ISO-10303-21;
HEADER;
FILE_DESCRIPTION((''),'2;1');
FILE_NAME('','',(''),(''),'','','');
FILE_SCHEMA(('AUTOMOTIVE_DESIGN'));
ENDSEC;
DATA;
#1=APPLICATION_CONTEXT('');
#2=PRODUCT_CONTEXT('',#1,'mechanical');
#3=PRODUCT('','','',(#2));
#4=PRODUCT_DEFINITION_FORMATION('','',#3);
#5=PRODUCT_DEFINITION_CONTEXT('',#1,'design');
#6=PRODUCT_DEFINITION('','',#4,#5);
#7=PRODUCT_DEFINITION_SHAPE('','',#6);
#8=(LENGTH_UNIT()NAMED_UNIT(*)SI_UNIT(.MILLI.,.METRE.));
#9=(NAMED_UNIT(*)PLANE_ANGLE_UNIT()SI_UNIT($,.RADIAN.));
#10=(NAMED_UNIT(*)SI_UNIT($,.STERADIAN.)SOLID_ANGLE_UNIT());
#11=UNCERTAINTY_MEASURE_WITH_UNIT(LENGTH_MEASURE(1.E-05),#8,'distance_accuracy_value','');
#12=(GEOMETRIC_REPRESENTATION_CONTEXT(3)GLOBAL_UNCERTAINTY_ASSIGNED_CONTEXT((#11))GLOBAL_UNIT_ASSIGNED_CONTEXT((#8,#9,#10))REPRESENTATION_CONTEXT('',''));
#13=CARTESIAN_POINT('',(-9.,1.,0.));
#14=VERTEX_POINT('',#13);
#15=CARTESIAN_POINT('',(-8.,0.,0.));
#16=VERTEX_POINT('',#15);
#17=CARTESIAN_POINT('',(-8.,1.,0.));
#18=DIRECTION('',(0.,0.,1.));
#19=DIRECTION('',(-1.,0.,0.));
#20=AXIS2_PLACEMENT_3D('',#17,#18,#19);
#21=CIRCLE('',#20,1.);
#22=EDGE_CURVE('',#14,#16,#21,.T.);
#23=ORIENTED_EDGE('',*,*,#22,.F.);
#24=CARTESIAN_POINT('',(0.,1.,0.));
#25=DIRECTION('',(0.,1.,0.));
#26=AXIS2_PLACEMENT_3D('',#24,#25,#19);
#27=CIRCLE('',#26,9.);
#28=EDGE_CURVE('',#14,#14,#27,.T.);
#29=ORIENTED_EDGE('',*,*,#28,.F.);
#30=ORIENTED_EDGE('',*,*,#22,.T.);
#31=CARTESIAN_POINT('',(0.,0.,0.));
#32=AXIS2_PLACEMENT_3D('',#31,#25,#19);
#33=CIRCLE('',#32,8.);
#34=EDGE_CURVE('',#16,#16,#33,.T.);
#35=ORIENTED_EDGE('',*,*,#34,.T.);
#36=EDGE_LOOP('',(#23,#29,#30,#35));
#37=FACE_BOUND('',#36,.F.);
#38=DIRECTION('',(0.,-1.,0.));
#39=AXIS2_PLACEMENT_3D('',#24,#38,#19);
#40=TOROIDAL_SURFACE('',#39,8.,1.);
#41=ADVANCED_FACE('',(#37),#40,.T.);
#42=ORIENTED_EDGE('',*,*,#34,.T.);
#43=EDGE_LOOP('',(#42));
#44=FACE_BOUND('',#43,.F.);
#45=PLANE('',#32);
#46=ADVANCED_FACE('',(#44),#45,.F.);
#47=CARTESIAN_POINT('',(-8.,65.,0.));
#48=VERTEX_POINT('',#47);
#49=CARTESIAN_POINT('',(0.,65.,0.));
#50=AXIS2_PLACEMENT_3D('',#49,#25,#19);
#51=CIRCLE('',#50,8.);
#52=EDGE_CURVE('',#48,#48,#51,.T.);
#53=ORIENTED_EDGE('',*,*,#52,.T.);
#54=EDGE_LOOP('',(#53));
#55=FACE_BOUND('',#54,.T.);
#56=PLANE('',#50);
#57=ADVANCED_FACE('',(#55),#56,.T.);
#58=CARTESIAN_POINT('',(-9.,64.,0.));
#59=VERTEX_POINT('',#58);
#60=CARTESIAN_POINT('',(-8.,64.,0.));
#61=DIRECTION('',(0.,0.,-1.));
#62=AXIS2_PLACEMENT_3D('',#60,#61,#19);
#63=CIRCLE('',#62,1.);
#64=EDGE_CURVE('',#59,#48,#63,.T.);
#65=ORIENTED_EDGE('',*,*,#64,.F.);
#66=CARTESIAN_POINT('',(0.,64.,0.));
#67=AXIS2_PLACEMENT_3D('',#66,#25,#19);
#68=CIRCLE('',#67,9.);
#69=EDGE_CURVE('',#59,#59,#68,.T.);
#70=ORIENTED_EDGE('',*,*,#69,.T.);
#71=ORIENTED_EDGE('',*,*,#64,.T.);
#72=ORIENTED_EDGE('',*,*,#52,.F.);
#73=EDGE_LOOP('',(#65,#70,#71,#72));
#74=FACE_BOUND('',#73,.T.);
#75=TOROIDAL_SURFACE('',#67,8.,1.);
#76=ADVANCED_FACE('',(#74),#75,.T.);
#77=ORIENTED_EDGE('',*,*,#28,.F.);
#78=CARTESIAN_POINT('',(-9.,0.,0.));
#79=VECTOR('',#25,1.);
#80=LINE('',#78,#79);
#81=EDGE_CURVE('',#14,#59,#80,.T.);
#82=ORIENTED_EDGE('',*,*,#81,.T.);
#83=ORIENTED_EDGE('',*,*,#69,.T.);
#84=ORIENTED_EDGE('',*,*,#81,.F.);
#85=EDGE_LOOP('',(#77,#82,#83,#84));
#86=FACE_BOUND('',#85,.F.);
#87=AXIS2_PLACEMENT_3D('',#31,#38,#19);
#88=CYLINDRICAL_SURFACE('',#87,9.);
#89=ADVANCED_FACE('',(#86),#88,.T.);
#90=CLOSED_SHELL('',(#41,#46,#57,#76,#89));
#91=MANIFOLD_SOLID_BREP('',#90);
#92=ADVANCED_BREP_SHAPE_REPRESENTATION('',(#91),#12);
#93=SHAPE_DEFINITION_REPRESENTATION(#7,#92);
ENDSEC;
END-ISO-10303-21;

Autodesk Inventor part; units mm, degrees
ref_plane "YZ Plane" through (0, 0, 0) normal (1, 0, 0) x (0, 1, 0)
ref_plane "XZ Plane" through (0, 0, 0) normal (0, 1, 0) x (-1, 0, 0)
ref_plane "XY Plane" through (0, 0, 0) normal (0, 0, 1) x (1, 0, 0)
sketch "Boceto1" plane through (0, 0, 0) normal (0, 1, 0) x (-1, 0, 0)
  circle A0 centre (0, 0) radius 9
  dimension "d0" = 18
extrude "Extrusión1" add sketch "Boceto1" along normal blind 65
fillet "Empalme1" radius 1 2 edges at (9, 65, 0) (9, 0, 0)
properties part number "Pila_18650" material "Acero inoxidable"
